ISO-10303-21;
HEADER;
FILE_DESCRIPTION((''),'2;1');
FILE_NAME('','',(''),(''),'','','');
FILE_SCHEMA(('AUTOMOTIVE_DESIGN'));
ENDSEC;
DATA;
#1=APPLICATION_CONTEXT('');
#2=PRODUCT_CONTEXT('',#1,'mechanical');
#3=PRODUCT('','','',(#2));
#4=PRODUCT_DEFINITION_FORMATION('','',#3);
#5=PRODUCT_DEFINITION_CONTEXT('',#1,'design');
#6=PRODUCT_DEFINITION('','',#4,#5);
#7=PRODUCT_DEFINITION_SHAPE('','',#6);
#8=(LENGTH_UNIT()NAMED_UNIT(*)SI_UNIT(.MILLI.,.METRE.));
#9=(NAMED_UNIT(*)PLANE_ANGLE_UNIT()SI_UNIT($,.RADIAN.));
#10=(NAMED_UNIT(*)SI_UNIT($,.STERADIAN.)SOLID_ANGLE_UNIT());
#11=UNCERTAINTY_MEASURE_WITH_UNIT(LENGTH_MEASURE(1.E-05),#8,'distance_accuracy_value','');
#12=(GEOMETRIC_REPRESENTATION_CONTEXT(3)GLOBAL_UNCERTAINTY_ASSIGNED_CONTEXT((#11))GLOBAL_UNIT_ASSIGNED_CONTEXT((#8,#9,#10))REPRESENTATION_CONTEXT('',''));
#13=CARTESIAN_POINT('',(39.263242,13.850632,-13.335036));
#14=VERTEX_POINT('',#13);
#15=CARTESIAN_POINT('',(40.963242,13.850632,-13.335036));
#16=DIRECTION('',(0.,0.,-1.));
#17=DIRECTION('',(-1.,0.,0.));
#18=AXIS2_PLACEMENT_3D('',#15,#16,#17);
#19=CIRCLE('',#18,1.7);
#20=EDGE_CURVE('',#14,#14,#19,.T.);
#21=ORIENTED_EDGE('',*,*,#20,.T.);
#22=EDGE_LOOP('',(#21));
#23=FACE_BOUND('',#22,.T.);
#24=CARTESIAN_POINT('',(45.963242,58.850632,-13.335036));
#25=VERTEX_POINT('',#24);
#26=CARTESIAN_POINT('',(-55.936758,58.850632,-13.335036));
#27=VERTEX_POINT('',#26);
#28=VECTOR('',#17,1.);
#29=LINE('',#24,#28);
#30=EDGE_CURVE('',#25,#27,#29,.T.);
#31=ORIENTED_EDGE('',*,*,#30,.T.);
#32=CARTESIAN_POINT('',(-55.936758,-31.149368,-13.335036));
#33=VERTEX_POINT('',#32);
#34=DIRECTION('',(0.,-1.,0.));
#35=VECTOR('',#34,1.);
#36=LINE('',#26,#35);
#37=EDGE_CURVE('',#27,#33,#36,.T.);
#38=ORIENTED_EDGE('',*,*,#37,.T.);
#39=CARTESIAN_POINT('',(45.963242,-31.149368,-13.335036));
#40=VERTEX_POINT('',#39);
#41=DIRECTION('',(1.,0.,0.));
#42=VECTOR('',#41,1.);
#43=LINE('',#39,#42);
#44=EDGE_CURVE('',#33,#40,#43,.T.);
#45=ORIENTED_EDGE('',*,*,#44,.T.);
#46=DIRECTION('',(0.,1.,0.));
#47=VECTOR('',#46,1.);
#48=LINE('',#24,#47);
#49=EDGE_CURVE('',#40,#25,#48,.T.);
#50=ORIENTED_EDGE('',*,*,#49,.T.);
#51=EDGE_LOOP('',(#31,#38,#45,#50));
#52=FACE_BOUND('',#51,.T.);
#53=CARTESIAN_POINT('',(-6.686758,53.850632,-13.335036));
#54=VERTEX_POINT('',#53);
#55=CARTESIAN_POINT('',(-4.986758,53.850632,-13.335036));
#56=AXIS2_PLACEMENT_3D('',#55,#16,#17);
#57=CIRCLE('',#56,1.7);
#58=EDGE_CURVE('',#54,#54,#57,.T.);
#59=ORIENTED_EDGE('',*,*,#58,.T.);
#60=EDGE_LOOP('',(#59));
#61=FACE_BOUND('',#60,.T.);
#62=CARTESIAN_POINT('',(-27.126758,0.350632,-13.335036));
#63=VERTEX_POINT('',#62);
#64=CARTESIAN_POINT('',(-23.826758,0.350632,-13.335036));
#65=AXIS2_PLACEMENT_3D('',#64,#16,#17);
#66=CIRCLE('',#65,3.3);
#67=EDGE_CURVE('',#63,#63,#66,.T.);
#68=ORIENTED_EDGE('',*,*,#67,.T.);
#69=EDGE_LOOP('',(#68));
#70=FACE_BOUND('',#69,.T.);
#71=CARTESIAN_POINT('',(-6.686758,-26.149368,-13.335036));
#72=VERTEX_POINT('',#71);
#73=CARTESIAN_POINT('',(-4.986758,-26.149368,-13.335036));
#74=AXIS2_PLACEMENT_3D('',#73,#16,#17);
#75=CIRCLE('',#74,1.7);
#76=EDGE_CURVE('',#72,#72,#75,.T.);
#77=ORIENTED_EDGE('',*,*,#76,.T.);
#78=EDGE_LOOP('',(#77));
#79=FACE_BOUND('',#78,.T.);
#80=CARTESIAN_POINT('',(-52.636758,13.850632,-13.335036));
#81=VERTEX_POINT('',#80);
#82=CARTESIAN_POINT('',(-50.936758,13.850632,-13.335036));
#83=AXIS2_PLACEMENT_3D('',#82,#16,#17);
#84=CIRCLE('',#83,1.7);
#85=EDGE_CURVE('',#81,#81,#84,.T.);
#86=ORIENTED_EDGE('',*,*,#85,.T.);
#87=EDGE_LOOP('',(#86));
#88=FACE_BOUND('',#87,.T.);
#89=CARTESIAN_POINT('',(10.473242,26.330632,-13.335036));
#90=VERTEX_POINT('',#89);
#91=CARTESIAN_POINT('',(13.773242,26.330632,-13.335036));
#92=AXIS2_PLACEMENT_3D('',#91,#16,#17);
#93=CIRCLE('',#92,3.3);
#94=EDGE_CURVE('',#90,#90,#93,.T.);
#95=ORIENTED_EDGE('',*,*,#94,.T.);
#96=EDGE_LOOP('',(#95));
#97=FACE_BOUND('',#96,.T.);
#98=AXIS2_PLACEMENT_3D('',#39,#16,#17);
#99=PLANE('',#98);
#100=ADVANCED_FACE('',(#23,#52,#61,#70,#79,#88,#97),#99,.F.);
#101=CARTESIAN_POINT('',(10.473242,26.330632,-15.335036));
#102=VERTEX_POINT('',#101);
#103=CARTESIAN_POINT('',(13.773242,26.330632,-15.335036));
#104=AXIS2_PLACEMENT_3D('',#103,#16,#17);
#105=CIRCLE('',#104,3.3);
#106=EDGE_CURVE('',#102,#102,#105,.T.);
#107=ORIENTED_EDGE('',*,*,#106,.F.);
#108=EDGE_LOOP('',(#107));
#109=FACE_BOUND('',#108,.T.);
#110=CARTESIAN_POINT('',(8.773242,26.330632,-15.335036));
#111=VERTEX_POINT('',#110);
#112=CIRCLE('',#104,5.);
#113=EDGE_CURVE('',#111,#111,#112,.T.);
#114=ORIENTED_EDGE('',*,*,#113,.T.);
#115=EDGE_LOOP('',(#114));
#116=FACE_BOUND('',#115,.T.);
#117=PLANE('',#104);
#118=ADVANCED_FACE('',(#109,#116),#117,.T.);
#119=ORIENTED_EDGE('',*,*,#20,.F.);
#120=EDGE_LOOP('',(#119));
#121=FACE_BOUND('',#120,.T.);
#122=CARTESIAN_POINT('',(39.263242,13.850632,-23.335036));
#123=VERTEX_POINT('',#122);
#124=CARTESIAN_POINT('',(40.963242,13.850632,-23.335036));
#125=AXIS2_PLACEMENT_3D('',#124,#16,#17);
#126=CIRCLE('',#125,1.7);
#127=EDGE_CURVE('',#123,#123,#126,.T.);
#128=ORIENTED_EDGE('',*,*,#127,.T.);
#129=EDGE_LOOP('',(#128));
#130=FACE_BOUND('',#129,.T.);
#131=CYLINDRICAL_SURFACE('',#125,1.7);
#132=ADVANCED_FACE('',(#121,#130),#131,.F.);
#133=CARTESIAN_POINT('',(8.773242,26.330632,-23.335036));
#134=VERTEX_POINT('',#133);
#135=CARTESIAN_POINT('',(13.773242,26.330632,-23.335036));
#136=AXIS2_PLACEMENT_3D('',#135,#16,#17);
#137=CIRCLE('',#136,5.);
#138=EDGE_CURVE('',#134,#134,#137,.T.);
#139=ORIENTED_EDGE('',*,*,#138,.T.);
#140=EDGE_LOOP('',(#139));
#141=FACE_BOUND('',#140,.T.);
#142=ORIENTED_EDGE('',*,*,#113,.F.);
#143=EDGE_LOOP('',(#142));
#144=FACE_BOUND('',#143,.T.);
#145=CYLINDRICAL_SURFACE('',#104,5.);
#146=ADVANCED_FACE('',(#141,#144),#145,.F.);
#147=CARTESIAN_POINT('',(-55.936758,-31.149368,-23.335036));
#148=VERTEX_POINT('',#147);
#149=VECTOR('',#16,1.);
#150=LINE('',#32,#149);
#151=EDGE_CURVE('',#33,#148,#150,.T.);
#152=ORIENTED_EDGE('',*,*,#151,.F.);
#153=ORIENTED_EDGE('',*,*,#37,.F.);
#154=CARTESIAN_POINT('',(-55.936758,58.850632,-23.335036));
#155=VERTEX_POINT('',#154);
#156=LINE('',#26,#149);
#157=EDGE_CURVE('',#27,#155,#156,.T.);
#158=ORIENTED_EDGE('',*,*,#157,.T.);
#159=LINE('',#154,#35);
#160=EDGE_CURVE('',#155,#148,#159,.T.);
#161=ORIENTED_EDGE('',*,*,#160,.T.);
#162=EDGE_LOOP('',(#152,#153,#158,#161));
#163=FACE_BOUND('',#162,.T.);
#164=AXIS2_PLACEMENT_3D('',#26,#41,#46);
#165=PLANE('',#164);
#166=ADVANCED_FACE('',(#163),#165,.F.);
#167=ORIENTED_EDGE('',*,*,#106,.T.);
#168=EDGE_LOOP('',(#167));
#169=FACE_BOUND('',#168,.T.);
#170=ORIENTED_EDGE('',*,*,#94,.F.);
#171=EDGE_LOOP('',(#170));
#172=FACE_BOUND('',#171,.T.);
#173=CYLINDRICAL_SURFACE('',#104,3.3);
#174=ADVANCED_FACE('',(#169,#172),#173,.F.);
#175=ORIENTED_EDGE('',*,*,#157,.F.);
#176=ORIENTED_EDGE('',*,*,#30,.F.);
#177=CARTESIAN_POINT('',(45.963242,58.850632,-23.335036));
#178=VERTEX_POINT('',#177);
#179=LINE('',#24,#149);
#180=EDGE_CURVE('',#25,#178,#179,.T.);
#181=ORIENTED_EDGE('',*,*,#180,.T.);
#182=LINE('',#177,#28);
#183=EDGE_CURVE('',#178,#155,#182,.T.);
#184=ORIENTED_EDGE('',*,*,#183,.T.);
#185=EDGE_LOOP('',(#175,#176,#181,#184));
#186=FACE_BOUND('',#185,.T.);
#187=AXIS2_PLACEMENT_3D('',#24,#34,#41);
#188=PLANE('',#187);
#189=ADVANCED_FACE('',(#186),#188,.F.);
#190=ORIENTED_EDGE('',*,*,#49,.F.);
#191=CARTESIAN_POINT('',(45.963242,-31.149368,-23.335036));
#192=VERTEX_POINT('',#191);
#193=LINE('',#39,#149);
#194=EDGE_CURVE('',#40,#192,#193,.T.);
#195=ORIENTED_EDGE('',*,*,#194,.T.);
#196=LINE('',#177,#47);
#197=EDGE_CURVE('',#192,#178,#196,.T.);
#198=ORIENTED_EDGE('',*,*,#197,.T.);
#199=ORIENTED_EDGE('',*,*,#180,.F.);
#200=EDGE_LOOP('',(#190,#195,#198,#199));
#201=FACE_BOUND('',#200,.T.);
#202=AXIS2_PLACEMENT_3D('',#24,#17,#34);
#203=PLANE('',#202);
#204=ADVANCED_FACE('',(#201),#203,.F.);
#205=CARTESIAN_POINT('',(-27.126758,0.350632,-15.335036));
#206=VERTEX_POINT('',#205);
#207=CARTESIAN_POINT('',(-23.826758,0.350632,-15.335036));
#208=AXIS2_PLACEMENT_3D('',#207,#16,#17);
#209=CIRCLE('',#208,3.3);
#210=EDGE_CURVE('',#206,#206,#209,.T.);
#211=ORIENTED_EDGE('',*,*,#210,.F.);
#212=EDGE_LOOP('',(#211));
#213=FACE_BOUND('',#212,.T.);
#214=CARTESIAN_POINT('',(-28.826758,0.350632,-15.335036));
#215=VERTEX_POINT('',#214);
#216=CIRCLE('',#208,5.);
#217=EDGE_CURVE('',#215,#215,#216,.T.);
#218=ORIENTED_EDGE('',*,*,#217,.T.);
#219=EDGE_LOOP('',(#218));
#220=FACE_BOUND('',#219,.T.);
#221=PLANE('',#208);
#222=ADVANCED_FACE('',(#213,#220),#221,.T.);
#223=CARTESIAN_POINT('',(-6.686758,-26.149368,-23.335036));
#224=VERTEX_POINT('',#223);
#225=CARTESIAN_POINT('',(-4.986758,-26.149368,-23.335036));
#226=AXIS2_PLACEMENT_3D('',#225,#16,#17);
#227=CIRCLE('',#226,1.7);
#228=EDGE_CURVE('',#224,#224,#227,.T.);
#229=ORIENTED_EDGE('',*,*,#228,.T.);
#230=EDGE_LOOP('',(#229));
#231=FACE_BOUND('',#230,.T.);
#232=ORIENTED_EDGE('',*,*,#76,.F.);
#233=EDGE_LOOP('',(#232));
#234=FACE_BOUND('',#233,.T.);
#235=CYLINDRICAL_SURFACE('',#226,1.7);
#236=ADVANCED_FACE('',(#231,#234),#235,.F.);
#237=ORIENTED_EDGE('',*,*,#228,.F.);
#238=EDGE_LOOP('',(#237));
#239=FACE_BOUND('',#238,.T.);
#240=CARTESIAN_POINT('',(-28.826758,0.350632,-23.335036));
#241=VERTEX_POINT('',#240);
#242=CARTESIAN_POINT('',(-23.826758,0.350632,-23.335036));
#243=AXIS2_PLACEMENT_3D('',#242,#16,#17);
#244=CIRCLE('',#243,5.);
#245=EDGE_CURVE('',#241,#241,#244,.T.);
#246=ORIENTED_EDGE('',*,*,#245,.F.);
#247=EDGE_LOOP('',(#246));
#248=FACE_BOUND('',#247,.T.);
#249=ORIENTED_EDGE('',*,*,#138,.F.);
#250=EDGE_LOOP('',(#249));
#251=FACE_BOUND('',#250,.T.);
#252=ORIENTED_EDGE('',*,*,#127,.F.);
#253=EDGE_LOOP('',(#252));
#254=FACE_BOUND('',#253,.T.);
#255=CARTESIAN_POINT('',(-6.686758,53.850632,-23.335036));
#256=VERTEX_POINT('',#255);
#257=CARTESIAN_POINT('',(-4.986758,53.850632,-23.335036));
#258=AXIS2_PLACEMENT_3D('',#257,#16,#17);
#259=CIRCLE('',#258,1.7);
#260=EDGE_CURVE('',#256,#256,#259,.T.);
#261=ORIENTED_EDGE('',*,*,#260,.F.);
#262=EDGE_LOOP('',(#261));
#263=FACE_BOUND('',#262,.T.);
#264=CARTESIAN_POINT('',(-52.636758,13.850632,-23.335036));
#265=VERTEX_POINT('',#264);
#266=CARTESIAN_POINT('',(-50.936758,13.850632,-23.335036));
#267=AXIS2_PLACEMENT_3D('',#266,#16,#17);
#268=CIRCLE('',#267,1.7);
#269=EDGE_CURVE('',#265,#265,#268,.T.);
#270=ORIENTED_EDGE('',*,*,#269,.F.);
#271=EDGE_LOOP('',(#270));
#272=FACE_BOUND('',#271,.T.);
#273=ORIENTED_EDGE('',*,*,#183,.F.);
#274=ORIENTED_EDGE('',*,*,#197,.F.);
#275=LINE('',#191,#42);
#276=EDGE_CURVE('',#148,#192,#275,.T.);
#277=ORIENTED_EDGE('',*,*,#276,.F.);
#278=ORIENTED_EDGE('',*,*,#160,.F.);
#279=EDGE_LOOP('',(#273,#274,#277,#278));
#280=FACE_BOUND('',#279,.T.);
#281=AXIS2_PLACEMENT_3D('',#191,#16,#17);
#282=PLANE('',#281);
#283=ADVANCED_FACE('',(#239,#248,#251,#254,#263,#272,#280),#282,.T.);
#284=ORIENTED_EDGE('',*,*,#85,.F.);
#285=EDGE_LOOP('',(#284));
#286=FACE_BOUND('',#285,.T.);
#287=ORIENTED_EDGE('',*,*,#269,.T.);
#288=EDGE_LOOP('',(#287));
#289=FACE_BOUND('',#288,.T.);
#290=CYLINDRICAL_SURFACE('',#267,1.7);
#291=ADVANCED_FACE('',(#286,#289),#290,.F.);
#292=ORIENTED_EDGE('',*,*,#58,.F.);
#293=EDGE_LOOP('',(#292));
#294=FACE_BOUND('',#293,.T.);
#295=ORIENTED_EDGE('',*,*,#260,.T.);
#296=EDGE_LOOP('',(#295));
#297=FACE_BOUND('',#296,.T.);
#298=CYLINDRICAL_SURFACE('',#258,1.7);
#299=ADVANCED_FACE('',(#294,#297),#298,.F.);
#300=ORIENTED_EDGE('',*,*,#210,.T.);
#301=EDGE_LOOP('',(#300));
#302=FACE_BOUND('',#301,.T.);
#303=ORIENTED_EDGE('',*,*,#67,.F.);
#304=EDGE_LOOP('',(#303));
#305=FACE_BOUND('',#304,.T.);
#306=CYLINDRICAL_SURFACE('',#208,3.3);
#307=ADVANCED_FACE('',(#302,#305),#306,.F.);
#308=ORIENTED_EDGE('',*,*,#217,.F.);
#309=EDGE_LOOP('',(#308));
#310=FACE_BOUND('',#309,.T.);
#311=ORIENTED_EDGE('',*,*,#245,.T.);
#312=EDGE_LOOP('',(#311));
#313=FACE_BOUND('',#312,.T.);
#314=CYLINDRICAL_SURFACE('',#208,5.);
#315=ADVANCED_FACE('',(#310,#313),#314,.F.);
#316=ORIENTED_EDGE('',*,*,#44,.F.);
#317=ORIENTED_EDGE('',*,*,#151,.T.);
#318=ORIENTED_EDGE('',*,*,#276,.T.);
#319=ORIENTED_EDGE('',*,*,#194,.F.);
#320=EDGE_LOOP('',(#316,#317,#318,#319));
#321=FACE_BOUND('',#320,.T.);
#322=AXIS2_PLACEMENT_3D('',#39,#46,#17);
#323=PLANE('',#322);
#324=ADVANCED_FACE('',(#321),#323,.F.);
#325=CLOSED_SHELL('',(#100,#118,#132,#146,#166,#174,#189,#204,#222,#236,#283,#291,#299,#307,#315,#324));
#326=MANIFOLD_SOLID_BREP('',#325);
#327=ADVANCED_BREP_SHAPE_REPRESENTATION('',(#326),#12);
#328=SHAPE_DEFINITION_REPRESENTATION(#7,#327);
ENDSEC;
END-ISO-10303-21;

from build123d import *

# Parameters (mm, degrees)
ESBO_O1_W                = 101.9
ESBO_O1_H                = 90
RESSALTO_EXTRUS_O1_DEPTH = 10
FURO_COM_FOLGA_DE_M39_D  = 3.4
ESBO_O11_R               = 5
CORTE_EXTRUS_O1_DEPTH    = 8
FURO_COM_FOLGA_DE_M61_D  = 6.6


with BuildPart() as part:
    # Esboço1 → Ressalto-extrusão1 (new body)
    with BuildSketch(Plane.XY.offset(-23.335035958)):
        with Locations((-4.986758439, 13.850631826)):
            Rectangle(ESBO_O1_W, ESBO_O1_H)
    extrude(amount=RESSALTO_EXTRUS_O1_DEPTH)

    # Furo com folga de M39 (through all)
    with Locations(Plane(origin=(0, 0, -23.335035958), x_dir=(-1, 0, 0), z_dir=(0, 0, -1))):
        with Locations((-40.963241561, 13.850631826), (4.986758439, 53.850631826), (50.936758439, 13.850631826), (4.986758439, -26.149368174)):
            Hole(FURO_COM_FOLGA_DE_M39_D / 2)

    # Esboço11 → Corte-extrusão1 (cut)
    with BuildSketch(Plane(origin=(0, 0, -23.335035958), x_dir=(-1, 0, 0), z_dir=(0, 0, -1))):
        with Locations((-13.773241561, 26.330631826)):
            Circle(ESBO_O11_R)
        with Locations((23.826758439, 0.350631826)):
            Circle(ESBO_O11_R)
    extrude(amount=-CORTE_EXTRUS_O1_DEPTH, mode=Mode.SUBTRACT)

    # Furo com folga de M61 (through all)
    with Locations(Plane(origin=(0, 0, -15.335035958), x_dir=(-1, 0, 0), z_dir=(0, 0, -1))):
        with Locations((-13.773241561, 26.330631826), (23.826758439, 0.350631826)):
            Hole(FURO_COM_FOLGA_DE_M61_D / 2)


solid = part.part
